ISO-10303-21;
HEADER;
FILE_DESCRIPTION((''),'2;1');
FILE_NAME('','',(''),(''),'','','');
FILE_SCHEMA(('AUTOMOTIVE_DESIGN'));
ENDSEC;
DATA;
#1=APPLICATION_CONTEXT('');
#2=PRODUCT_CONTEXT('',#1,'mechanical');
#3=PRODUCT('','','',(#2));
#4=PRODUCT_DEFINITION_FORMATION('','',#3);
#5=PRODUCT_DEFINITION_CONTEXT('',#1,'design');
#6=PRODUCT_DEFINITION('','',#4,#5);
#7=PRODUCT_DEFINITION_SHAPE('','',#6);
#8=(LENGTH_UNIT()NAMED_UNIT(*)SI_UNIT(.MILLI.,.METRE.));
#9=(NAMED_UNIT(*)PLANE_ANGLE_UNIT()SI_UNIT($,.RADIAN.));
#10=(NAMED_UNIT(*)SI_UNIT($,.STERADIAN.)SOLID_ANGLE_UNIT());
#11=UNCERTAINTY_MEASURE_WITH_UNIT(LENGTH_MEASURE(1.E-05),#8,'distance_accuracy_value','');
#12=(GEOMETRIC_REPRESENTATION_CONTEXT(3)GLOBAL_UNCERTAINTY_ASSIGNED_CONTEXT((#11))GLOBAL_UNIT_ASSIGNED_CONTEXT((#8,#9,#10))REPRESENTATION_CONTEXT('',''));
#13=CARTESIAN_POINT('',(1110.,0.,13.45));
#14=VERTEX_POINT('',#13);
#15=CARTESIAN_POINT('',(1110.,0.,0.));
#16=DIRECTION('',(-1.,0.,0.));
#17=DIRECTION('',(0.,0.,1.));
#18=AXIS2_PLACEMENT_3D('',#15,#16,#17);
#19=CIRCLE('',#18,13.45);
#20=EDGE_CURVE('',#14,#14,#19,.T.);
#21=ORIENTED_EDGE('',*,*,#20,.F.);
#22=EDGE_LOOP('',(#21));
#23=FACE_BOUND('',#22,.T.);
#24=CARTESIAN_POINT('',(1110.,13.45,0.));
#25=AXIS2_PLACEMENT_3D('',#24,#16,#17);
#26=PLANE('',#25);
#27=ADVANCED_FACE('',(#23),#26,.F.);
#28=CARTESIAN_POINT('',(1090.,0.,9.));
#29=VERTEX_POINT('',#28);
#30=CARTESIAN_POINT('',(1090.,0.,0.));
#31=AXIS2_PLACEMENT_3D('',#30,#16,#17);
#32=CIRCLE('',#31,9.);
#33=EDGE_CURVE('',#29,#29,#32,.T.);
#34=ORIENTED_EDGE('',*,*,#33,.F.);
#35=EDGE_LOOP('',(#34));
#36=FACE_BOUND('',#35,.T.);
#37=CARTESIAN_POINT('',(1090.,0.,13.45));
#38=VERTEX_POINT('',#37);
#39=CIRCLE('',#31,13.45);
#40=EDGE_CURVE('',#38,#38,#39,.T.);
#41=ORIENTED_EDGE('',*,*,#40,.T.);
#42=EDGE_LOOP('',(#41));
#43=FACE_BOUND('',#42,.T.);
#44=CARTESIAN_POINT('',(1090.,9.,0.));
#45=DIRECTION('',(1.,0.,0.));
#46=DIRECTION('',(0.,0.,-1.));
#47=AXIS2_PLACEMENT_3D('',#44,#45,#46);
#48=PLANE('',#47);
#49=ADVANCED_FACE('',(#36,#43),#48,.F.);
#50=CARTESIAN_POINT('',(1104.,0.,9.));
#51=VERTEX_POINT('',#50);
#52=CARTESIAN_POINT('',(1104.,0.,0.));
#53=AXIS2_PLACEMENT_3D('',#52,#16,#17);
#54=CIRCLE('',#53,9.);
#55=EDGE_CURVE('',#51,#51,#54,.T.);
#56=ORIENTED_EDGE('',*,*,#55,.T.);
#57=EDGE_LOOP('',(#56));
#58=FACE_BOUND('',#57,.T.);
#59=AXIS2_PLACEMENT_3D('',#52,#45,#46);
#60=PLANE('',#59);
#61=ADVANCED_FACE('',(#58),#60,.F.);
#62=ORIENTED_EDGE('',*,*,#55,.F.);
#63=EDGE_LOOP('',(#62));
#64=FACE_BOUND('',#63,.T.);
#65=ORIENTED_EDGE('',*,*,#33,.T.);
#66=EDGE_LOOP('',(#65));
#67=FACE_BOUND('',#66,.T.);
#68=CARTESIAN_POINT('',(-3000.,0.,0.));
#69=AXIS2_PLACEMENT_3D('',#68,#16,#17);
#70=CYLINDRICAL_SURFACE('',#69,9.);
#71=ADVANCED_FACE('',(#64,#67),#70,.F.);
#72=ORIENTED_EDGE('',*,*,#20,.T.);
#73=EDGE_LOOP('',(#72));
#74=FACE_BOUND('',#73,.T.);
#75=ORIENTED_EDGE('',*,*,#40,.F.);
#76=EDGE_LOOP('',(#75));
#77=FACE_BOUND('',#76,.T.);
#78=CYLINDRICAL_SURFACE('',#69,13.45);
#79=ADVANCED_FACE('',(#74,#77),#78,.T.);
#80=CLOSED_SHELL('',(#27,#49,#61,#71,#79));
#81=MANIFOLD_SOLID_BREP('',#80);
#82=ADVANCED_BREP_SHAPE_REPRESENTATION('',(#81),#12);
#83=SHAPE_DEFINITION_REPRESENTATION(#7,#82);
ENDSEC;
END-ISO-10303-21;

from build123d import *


with BuildPart() as part:
    # Leg_Stop_Plug Sketch → Leg_Stop_Plug (revolve)
    with BuildSketch(Plane.XY):
        Polygon((1090, 9), (1090, 13.45), (1110, 13.45), (1110, 0), (1104, 0), (1104, 9), align=None)
    revolve(axis=Axis((-3000, 0, 0), (1, 0, 0)))


solid = part.part
